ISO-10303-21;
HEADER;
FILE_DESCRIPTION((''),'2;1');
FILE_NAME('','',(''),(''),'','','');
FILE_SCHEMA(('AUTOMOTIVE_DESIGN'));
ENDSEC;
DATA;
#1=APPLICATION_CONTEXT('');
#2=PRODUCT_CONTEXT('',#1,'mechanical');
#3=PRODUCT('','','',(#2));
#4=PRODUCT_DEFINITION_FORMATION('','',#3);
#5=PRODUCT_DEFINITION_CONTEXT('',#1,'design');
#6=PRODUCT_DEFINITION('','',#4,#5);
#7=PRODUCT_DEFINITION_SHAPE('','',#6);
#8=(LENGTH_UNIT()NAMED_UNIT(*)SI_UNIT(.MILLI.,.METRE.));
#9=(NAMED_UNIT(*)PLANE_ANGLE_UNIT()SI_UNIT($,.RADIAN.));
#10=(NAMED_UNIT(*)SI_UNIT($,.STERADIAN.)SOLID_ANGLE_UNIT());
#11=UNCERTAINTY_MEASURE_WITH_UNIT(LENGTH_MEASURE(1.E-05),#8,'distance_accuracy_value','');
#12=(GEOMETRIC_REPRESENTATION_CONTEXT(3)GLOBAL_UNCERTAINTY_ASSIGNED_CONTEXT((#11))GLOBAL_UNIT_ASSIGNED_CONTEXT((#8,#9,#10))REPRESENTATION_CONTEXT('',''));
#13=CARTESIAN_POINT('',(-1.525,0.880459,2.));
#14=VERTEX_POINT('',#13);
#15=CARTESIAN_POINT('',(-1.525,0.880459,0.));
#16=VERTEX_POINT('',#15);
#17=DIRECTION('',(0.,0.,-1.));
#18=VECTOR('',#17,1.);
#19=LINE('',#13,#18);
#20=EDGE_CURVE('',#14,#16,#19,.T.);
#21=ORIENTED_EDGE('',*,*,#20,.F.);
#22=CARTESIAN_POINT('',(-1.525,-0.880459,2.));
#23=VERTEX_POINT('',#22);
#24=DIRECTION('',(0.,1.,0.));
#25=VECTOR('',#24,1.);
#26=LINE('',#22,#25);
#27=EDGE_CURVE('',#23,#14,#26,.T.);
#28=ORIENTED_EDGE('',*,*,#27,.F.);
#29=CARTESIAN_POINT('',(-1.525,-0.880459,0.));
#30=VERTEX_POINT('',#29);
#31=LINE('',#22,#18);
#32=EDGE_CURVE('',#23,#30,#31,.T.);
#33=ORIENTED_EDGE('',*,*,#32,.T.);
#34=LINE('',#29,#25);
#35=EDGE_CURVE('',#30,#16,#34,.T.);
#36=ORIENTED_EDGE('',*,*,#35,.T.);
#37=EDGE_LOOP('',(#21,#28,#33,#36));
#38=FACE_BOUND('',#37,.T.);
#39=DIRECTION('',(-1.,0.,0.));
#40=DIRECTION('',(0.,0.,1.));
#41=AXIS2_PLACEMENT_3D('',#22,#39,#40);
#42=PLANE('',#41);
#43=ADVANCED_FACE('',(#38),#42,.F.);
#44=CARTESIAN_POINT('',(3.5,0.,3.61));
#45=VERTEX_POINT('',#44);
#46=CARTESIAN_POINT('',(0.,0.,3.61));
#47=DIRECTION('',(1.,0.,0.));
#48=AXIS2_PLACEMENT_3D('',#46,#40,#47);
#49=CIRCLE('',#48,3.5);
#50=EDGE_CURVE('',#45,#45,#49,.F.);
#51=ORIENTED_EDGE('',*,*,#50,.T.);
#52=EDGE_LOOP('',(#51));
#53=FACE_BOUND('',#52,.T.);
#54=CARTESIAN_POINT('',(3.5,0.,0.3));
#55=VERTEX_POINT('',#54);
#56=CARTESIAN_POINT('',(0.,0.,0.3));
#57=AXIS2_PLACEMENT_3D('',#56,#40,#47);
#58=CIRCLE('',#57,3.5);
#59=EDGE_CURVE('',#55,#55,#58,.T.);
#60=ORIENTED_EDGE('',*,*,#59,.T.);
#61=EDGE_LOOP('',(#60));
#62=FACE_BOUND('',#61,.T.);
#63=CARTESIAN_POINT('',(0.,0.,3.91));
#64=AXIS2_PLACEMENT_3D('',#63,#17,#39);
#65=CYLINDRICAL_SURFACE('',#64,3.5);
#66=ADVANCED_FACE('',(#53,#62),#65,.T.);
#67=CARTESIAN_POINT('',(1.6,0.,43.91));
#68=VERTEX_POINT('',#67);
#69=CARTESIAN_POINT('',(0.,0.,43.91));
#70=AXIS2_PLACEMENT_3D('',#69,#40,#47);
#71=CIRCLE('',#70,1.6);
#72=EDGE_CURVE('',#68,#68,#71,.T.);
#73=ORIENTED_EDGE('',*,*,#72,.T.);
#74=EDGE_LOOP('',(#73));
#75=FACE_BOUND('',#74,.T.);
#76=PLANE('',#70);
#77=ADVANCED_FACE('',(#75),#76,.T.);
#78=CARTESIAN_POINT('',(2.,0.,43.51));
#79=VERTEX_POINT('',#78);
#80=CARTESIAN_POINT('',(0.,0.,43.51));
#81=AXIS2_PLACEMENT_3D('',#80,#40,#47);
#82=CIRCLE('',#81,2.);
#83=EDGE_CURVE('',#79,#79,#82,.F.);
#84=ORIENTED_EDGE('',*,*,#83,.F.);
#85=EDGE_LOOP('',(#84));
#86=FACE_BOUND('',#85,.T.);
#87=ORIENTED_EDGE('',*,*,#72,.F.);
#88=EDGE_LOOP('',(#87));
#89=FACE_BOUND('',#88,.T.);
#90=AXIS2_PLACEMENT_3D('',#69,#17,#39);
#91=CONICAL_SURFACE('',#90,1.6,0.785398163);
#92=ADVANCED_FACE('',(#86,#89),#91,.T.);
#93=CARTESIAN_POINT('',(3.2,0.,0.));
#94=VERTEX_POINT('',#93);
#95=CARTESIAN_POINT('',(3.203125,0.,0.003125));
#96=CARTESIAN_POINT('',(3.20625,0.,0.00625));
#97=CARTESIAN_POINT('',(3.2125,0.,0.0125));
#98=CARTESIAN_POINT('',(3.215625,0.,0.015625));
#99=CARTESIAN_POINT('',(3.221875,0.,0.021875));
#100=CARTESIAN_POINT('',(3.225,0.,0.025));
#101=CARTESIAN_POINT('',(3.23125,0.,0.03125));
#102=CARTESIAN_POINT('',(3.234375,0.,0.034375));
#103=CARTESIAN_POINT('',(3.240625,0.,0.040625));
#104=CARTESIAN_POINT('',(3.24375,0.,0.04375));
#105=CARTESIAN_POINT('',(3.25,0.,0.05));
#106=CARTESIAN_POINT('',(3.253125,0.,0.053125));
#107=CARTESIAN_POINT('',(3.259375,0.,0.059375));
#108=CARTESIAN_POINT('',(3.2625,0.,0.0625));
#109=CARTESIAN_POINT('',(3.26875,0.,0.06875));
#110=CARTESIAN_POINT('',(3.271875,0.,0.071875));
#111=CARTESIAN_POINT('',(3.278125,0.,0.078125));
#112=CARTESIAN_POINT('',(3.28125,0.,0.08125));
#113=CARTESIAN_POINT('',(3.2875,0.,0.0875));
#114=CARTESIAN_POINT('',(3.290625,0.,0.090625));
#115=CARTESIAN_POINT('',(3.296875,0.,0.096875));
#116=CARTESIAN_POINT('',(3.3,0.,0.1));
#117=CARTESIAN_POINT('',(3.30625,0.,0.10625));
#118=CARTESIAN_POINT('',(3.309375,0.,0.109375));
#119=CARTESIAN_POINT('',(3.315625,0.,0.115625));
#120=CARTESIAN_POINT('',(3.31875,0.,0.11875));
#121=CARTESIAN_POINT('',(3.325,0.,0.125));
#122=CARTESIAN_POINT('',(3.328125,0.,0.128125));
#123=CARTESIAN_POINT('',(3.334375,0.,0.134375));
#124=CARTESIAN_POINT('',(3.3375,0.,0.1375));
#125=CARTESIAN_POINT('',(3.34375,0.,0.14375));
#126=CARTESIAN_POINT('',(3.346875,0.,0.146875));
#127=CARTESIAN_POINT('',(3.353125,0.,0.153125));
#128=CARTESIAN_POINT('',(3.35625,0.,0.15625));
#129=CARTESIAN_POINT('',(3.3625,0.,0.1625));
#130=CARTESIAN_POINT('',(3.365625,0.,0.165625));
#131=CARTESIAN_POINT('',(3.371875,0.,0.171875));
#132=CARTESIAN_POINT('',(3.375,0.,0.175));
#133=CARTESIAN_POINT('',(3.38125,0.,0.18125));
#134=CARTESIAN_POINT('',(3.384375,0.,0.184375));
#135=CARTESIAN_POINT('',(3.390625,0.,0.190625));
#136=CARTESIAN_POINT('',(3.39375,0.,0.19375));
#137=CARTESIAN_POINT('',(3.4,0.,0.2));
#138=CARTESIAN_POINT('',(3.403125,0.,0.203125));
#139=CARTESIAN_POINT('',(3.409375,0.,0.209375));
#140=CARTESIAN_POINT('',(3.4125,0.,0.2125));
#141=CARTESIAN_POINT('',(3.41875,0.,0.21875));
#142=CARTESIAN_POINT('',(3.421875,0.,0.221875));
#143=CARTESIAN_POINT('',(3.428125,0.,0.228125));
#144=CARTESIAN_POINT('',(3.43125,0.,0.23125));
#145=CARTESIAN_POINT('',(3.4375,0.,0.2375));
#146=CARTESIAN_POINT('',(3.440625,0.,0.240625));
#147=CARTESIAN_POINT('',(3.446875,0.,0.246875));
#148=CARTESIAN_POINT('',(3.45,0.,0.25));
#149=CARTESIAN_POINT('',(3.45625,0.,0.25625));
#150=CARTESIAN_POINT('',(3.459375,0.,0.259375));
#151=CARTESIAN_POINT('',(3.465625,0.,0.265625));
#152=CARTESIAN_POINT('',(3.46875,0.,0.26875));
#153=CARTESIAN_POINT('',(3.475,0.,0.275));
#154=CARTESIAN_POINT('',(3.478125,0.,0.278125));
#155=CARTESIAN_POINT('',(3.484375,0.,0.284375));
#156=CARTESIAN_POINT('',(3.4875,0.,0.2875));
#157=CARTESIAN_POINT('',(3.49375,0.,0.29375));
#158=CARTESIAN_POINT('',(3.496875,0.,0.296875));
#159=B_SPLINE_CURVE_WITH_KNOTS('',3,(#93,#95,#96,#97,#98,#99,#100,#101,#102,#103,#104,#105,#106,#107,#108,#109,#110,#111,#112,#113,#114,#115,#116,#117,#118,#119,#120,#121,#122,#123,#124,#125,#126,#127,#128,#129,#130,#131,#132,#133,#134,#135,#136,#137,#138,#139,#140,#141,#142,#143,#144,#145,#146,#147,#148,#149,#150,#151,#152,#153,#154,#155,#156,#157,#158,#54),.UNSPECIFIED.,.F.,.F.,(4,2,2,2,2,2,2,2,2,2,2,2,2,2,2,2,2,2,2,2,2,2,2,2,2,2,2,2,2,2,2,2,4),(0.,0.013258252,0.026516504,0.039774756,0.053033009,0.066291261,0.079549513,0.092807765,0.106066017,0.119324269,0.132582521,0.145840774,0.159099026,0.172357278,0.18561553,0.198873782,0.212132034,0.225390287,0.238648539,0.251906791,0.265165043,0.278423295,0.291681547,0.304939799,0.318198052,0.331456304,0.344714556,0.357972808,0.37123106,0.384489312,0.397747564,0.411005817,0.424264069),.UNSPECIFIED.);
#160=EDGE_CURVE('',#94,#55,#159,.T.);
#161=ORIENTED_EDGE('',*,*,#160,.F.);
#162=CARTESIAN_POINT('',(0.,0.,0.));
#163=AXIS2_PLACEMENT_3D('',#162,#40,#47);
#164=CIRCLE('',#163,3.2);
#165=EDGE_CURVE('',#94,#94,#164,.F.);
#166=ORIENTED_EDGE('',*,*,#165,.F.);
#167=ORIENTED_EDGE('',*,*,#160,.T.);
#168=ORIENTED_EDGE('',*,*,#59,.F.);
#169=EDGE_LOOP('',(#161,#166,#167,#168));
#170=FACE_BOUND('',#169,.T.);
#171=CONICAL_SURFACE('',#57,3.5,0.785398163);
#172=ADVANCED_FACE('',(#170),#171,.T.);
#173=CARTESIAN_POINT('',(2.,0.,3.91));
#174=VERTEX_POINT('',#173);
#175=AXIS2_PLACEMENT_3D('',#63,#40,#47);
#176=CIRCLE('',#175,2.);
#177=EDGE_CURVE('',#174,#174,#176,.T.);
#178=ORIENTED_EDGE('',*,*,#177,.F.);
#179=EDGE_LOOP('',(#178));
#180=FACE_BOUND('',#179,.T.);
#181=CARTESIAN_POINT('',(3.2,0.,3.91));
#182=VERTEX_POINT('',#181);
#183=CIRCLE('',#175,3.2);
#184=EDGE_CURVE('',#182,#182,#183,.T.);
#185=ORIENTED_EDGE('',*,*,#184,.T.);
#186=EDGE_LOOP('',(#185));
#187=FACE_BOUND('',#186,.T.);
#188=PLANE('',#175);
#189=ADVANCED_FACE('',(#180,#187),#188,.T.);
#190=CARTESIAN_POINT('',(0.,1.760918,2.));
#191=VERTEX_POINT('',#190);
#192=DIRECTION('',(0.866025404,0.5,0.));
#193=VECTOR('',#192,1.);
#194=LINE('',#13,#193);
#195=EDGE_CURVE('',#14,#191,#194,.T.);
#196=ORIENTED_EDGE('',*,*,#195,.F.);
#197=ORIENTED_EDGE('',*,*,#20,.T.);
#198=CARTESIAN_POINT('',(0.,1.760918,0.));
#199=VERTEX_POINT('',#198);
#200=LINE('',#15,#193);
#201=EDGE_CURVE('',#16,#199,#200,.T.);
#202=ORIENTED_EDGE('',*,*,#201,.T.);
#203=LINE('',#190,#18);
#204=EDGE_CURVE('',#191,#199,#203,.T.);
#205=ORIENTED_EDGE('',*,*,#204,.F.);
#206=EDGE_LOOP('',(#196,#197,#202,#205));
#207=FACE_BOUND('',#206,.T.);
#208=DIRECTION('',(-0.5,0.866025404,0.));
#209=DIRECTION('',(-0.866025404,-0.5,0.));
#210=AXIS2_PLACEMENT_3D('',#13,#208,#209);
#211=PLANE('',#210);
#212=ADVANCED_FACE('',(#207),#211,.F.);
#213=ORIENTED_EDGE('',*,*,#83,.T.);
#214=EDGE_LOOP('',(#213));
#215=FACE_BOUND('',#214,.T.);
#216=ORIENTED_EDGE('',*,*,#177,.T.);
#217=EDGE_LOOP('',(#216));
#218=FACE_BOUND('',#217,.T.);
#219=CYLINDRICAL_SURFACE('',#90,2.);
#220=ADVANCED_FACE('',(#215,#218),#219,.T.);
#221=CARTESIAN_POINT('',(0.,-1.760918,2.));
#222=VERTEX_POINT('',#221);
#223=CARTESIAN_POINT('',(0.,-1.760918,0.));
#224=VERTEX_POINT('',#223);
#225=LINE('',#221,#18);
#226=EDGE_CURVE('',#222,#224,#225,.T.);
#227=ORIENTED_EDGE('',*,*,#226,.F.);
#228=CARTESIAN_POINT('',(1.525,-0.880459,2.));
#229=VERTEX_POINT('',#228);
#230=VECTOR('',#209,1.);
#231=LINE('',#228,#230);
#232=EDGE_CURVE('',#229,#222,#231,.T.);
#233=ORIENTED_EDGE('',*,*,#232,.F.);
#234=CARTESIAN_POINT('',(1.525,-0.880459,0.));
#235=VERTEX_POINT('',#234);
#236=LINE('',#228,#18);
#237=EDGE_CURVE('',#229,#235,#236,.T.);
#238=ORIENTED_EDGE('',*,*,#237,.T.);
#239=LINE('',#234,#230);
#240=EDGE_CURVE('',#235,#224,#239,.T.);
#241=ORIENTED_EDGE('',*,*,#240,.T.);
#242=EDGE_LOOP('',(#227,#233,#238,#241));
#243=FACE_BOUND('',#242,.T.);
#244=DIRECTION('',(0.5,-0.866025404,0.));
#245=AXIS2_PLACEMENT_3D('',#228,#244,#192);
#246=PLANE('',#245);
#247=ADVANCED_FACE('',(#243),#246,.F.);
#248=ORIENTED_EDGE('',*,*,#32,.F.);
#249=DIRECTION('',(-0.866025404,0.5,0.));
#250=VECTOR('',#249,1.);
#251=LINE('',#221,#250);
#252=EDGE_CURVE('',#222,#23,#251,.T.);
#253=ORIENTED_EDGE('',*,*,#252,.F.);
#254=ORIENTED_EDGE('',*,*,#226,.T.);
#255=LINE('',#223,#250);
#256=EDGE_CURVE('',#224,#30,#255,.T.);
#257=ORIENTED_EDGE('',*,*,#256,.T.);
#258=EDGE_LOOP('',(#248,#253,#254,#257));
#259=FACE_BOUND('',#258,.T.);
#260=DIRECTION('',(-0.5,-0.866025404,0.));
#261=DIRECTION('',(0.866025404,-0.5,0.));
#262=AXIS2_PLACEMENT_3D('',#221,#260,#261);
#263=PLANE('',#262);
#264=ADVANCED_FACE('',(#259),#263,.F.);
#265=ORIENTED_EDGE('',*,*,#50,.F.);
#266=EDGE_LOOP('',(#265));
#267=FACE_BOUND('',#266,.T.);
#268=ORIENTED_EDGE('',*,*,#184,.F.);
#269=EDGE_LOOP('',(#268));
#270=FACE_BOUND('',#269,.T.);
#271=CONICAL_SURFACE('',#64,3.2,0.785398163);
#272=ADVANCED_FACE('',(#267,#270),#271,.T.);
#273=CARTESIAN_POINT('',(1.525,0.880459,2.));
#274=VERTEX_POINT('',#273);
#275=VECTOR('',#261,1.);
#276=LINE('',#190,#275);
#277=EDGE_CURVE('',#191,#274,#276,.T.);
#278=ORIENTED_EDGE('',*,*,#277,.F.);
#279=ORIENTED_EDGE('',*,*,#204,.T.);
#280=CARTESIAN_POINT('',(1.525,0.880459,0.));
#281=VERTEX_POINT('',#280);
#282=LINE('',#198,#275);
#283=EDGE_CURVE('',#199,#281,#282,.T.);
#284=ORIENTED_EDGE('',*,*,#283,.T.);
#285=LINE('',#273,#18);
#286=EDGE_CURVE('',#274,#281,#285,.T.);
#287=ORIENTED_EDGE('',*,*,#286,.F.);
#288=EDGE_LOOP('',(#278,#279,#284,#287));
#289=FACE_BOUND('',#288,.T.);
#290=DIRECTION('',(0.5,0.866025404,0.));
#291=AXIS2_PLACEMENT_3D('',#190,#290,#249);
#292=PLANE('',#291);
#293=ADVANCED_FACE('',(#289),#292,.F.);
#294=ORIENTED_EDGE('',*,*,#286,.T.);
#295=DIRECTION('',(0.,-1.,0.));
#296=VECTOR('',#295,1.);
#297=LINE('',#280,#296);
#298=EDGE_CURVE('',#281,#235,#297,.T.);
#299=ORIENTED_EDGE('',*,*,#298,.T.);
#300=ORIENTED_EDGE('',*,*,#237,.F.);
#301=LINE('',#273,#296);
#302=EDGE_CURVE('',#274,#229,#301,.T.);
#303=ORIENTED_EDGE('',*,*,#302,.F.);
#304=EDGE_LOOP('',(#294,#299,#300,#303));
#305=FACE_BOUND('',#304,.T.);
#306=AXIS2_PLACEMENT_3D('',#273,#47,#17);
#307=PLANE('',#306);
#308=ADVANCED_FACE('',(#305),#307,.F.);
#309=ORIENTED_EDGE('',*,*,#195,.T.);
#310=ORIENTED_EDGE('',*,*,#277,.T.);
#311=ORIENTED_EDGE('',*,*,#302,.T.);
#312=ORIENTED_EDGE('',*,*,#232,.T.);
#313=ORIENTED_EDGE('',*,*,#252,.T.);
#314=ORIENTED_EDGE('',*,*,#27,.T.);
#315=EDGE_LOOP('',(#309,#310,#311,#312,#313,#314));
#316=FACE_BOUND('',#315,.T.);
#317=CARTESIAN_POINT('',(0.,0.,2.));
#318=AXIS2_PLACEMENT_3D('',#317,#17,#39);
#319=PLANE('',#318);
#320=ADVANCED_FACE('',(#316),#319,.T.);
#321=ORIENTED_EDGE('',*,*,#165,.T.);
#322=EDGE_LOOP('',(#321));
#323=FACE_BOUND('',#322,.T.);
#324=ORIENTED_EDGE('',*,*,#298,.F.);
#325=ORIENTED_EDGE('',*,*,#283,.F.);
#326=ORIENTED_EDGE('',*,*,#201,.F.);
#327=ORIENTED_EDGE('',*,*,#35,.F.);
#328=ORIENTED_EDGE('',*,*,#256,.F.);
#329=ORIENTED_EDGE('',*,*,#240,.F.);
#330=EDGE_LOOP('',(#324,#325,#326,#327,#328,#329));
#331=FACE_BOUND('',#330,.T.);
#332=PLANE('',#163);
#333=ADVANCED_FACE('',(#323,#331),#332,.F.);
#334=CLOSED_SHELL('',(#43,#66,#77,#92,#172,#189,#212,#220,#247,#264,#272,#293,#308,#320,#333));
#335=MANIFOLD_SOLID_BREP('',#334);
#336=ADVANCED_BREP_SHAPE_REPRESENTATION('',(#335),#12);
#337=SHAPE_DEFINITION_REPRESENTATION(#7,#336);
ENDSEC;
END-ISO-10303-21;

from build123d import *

# Parameters (mm, degrees)
SKETCH_1_R          = 3.5
EXTRUDE_1_DEPTH     = 3.91
SKETCH_2_R          = 2
EXTRUDE_2_DEPTH     = 40
CUT_EXTRUDE_1_DEPTH = 2
CHAMFER_1_SIZE      = 0.4
CHAMFER_2_SIZE      = 0.3


with BuildPart() as part:
    # 草图1 → 凸台-拉伸1 (new body)
    with BuildSketch(Plane.XY):
        Circle(SKETCH_1_R)
    extrude(amount=EXTRUDE_1_DEPTH)

    # 草图2 → 凸台-拉伸2 (add)
    with BuildSketch(Plane.XY.offset(3.91)):
        Circle(SKETCH_2_R)
    extrude(amount=EXTRUDE_2_DEPTH)

    # 草图3 → 切除-拉伸1 (cut)
    with BuildSketch(Plane(origin=(0, 0, 0), x_dir=(-1, 0, 0), z_dir=(0, 0, -1))):
        Polygon((0, 1.760918321), (-1.525, 0.880459161), (-1.525, -0.880459161), (0, -1.760918321), (1.525, -0.880459161), (1.525, 0.880459161), align=None)
    extrude(amount=-CUT_EXTRUDE_1_DEPTH, mode=Mode.SUBTRACT)

    # 倒角1
    chamfer_1_edges = [part.edges().sort_by_distance(p)[0] for p in [
        (-2, 0, 43.91),
    ]]
    chamfer(chamfer_1_edges, length=CHAMFER_1_SIZE)

    # 倒角2
    chamfer_2_edges = [part.edges().sort_by_distance(p)[0] for p in [
        (-3.5, 0, 0),
        (-3.5, 0, 3.91),
    ]]
    chamfer(chamfer_2_edges, length=CHAMFER_2_SIZE)


solid = part.part
